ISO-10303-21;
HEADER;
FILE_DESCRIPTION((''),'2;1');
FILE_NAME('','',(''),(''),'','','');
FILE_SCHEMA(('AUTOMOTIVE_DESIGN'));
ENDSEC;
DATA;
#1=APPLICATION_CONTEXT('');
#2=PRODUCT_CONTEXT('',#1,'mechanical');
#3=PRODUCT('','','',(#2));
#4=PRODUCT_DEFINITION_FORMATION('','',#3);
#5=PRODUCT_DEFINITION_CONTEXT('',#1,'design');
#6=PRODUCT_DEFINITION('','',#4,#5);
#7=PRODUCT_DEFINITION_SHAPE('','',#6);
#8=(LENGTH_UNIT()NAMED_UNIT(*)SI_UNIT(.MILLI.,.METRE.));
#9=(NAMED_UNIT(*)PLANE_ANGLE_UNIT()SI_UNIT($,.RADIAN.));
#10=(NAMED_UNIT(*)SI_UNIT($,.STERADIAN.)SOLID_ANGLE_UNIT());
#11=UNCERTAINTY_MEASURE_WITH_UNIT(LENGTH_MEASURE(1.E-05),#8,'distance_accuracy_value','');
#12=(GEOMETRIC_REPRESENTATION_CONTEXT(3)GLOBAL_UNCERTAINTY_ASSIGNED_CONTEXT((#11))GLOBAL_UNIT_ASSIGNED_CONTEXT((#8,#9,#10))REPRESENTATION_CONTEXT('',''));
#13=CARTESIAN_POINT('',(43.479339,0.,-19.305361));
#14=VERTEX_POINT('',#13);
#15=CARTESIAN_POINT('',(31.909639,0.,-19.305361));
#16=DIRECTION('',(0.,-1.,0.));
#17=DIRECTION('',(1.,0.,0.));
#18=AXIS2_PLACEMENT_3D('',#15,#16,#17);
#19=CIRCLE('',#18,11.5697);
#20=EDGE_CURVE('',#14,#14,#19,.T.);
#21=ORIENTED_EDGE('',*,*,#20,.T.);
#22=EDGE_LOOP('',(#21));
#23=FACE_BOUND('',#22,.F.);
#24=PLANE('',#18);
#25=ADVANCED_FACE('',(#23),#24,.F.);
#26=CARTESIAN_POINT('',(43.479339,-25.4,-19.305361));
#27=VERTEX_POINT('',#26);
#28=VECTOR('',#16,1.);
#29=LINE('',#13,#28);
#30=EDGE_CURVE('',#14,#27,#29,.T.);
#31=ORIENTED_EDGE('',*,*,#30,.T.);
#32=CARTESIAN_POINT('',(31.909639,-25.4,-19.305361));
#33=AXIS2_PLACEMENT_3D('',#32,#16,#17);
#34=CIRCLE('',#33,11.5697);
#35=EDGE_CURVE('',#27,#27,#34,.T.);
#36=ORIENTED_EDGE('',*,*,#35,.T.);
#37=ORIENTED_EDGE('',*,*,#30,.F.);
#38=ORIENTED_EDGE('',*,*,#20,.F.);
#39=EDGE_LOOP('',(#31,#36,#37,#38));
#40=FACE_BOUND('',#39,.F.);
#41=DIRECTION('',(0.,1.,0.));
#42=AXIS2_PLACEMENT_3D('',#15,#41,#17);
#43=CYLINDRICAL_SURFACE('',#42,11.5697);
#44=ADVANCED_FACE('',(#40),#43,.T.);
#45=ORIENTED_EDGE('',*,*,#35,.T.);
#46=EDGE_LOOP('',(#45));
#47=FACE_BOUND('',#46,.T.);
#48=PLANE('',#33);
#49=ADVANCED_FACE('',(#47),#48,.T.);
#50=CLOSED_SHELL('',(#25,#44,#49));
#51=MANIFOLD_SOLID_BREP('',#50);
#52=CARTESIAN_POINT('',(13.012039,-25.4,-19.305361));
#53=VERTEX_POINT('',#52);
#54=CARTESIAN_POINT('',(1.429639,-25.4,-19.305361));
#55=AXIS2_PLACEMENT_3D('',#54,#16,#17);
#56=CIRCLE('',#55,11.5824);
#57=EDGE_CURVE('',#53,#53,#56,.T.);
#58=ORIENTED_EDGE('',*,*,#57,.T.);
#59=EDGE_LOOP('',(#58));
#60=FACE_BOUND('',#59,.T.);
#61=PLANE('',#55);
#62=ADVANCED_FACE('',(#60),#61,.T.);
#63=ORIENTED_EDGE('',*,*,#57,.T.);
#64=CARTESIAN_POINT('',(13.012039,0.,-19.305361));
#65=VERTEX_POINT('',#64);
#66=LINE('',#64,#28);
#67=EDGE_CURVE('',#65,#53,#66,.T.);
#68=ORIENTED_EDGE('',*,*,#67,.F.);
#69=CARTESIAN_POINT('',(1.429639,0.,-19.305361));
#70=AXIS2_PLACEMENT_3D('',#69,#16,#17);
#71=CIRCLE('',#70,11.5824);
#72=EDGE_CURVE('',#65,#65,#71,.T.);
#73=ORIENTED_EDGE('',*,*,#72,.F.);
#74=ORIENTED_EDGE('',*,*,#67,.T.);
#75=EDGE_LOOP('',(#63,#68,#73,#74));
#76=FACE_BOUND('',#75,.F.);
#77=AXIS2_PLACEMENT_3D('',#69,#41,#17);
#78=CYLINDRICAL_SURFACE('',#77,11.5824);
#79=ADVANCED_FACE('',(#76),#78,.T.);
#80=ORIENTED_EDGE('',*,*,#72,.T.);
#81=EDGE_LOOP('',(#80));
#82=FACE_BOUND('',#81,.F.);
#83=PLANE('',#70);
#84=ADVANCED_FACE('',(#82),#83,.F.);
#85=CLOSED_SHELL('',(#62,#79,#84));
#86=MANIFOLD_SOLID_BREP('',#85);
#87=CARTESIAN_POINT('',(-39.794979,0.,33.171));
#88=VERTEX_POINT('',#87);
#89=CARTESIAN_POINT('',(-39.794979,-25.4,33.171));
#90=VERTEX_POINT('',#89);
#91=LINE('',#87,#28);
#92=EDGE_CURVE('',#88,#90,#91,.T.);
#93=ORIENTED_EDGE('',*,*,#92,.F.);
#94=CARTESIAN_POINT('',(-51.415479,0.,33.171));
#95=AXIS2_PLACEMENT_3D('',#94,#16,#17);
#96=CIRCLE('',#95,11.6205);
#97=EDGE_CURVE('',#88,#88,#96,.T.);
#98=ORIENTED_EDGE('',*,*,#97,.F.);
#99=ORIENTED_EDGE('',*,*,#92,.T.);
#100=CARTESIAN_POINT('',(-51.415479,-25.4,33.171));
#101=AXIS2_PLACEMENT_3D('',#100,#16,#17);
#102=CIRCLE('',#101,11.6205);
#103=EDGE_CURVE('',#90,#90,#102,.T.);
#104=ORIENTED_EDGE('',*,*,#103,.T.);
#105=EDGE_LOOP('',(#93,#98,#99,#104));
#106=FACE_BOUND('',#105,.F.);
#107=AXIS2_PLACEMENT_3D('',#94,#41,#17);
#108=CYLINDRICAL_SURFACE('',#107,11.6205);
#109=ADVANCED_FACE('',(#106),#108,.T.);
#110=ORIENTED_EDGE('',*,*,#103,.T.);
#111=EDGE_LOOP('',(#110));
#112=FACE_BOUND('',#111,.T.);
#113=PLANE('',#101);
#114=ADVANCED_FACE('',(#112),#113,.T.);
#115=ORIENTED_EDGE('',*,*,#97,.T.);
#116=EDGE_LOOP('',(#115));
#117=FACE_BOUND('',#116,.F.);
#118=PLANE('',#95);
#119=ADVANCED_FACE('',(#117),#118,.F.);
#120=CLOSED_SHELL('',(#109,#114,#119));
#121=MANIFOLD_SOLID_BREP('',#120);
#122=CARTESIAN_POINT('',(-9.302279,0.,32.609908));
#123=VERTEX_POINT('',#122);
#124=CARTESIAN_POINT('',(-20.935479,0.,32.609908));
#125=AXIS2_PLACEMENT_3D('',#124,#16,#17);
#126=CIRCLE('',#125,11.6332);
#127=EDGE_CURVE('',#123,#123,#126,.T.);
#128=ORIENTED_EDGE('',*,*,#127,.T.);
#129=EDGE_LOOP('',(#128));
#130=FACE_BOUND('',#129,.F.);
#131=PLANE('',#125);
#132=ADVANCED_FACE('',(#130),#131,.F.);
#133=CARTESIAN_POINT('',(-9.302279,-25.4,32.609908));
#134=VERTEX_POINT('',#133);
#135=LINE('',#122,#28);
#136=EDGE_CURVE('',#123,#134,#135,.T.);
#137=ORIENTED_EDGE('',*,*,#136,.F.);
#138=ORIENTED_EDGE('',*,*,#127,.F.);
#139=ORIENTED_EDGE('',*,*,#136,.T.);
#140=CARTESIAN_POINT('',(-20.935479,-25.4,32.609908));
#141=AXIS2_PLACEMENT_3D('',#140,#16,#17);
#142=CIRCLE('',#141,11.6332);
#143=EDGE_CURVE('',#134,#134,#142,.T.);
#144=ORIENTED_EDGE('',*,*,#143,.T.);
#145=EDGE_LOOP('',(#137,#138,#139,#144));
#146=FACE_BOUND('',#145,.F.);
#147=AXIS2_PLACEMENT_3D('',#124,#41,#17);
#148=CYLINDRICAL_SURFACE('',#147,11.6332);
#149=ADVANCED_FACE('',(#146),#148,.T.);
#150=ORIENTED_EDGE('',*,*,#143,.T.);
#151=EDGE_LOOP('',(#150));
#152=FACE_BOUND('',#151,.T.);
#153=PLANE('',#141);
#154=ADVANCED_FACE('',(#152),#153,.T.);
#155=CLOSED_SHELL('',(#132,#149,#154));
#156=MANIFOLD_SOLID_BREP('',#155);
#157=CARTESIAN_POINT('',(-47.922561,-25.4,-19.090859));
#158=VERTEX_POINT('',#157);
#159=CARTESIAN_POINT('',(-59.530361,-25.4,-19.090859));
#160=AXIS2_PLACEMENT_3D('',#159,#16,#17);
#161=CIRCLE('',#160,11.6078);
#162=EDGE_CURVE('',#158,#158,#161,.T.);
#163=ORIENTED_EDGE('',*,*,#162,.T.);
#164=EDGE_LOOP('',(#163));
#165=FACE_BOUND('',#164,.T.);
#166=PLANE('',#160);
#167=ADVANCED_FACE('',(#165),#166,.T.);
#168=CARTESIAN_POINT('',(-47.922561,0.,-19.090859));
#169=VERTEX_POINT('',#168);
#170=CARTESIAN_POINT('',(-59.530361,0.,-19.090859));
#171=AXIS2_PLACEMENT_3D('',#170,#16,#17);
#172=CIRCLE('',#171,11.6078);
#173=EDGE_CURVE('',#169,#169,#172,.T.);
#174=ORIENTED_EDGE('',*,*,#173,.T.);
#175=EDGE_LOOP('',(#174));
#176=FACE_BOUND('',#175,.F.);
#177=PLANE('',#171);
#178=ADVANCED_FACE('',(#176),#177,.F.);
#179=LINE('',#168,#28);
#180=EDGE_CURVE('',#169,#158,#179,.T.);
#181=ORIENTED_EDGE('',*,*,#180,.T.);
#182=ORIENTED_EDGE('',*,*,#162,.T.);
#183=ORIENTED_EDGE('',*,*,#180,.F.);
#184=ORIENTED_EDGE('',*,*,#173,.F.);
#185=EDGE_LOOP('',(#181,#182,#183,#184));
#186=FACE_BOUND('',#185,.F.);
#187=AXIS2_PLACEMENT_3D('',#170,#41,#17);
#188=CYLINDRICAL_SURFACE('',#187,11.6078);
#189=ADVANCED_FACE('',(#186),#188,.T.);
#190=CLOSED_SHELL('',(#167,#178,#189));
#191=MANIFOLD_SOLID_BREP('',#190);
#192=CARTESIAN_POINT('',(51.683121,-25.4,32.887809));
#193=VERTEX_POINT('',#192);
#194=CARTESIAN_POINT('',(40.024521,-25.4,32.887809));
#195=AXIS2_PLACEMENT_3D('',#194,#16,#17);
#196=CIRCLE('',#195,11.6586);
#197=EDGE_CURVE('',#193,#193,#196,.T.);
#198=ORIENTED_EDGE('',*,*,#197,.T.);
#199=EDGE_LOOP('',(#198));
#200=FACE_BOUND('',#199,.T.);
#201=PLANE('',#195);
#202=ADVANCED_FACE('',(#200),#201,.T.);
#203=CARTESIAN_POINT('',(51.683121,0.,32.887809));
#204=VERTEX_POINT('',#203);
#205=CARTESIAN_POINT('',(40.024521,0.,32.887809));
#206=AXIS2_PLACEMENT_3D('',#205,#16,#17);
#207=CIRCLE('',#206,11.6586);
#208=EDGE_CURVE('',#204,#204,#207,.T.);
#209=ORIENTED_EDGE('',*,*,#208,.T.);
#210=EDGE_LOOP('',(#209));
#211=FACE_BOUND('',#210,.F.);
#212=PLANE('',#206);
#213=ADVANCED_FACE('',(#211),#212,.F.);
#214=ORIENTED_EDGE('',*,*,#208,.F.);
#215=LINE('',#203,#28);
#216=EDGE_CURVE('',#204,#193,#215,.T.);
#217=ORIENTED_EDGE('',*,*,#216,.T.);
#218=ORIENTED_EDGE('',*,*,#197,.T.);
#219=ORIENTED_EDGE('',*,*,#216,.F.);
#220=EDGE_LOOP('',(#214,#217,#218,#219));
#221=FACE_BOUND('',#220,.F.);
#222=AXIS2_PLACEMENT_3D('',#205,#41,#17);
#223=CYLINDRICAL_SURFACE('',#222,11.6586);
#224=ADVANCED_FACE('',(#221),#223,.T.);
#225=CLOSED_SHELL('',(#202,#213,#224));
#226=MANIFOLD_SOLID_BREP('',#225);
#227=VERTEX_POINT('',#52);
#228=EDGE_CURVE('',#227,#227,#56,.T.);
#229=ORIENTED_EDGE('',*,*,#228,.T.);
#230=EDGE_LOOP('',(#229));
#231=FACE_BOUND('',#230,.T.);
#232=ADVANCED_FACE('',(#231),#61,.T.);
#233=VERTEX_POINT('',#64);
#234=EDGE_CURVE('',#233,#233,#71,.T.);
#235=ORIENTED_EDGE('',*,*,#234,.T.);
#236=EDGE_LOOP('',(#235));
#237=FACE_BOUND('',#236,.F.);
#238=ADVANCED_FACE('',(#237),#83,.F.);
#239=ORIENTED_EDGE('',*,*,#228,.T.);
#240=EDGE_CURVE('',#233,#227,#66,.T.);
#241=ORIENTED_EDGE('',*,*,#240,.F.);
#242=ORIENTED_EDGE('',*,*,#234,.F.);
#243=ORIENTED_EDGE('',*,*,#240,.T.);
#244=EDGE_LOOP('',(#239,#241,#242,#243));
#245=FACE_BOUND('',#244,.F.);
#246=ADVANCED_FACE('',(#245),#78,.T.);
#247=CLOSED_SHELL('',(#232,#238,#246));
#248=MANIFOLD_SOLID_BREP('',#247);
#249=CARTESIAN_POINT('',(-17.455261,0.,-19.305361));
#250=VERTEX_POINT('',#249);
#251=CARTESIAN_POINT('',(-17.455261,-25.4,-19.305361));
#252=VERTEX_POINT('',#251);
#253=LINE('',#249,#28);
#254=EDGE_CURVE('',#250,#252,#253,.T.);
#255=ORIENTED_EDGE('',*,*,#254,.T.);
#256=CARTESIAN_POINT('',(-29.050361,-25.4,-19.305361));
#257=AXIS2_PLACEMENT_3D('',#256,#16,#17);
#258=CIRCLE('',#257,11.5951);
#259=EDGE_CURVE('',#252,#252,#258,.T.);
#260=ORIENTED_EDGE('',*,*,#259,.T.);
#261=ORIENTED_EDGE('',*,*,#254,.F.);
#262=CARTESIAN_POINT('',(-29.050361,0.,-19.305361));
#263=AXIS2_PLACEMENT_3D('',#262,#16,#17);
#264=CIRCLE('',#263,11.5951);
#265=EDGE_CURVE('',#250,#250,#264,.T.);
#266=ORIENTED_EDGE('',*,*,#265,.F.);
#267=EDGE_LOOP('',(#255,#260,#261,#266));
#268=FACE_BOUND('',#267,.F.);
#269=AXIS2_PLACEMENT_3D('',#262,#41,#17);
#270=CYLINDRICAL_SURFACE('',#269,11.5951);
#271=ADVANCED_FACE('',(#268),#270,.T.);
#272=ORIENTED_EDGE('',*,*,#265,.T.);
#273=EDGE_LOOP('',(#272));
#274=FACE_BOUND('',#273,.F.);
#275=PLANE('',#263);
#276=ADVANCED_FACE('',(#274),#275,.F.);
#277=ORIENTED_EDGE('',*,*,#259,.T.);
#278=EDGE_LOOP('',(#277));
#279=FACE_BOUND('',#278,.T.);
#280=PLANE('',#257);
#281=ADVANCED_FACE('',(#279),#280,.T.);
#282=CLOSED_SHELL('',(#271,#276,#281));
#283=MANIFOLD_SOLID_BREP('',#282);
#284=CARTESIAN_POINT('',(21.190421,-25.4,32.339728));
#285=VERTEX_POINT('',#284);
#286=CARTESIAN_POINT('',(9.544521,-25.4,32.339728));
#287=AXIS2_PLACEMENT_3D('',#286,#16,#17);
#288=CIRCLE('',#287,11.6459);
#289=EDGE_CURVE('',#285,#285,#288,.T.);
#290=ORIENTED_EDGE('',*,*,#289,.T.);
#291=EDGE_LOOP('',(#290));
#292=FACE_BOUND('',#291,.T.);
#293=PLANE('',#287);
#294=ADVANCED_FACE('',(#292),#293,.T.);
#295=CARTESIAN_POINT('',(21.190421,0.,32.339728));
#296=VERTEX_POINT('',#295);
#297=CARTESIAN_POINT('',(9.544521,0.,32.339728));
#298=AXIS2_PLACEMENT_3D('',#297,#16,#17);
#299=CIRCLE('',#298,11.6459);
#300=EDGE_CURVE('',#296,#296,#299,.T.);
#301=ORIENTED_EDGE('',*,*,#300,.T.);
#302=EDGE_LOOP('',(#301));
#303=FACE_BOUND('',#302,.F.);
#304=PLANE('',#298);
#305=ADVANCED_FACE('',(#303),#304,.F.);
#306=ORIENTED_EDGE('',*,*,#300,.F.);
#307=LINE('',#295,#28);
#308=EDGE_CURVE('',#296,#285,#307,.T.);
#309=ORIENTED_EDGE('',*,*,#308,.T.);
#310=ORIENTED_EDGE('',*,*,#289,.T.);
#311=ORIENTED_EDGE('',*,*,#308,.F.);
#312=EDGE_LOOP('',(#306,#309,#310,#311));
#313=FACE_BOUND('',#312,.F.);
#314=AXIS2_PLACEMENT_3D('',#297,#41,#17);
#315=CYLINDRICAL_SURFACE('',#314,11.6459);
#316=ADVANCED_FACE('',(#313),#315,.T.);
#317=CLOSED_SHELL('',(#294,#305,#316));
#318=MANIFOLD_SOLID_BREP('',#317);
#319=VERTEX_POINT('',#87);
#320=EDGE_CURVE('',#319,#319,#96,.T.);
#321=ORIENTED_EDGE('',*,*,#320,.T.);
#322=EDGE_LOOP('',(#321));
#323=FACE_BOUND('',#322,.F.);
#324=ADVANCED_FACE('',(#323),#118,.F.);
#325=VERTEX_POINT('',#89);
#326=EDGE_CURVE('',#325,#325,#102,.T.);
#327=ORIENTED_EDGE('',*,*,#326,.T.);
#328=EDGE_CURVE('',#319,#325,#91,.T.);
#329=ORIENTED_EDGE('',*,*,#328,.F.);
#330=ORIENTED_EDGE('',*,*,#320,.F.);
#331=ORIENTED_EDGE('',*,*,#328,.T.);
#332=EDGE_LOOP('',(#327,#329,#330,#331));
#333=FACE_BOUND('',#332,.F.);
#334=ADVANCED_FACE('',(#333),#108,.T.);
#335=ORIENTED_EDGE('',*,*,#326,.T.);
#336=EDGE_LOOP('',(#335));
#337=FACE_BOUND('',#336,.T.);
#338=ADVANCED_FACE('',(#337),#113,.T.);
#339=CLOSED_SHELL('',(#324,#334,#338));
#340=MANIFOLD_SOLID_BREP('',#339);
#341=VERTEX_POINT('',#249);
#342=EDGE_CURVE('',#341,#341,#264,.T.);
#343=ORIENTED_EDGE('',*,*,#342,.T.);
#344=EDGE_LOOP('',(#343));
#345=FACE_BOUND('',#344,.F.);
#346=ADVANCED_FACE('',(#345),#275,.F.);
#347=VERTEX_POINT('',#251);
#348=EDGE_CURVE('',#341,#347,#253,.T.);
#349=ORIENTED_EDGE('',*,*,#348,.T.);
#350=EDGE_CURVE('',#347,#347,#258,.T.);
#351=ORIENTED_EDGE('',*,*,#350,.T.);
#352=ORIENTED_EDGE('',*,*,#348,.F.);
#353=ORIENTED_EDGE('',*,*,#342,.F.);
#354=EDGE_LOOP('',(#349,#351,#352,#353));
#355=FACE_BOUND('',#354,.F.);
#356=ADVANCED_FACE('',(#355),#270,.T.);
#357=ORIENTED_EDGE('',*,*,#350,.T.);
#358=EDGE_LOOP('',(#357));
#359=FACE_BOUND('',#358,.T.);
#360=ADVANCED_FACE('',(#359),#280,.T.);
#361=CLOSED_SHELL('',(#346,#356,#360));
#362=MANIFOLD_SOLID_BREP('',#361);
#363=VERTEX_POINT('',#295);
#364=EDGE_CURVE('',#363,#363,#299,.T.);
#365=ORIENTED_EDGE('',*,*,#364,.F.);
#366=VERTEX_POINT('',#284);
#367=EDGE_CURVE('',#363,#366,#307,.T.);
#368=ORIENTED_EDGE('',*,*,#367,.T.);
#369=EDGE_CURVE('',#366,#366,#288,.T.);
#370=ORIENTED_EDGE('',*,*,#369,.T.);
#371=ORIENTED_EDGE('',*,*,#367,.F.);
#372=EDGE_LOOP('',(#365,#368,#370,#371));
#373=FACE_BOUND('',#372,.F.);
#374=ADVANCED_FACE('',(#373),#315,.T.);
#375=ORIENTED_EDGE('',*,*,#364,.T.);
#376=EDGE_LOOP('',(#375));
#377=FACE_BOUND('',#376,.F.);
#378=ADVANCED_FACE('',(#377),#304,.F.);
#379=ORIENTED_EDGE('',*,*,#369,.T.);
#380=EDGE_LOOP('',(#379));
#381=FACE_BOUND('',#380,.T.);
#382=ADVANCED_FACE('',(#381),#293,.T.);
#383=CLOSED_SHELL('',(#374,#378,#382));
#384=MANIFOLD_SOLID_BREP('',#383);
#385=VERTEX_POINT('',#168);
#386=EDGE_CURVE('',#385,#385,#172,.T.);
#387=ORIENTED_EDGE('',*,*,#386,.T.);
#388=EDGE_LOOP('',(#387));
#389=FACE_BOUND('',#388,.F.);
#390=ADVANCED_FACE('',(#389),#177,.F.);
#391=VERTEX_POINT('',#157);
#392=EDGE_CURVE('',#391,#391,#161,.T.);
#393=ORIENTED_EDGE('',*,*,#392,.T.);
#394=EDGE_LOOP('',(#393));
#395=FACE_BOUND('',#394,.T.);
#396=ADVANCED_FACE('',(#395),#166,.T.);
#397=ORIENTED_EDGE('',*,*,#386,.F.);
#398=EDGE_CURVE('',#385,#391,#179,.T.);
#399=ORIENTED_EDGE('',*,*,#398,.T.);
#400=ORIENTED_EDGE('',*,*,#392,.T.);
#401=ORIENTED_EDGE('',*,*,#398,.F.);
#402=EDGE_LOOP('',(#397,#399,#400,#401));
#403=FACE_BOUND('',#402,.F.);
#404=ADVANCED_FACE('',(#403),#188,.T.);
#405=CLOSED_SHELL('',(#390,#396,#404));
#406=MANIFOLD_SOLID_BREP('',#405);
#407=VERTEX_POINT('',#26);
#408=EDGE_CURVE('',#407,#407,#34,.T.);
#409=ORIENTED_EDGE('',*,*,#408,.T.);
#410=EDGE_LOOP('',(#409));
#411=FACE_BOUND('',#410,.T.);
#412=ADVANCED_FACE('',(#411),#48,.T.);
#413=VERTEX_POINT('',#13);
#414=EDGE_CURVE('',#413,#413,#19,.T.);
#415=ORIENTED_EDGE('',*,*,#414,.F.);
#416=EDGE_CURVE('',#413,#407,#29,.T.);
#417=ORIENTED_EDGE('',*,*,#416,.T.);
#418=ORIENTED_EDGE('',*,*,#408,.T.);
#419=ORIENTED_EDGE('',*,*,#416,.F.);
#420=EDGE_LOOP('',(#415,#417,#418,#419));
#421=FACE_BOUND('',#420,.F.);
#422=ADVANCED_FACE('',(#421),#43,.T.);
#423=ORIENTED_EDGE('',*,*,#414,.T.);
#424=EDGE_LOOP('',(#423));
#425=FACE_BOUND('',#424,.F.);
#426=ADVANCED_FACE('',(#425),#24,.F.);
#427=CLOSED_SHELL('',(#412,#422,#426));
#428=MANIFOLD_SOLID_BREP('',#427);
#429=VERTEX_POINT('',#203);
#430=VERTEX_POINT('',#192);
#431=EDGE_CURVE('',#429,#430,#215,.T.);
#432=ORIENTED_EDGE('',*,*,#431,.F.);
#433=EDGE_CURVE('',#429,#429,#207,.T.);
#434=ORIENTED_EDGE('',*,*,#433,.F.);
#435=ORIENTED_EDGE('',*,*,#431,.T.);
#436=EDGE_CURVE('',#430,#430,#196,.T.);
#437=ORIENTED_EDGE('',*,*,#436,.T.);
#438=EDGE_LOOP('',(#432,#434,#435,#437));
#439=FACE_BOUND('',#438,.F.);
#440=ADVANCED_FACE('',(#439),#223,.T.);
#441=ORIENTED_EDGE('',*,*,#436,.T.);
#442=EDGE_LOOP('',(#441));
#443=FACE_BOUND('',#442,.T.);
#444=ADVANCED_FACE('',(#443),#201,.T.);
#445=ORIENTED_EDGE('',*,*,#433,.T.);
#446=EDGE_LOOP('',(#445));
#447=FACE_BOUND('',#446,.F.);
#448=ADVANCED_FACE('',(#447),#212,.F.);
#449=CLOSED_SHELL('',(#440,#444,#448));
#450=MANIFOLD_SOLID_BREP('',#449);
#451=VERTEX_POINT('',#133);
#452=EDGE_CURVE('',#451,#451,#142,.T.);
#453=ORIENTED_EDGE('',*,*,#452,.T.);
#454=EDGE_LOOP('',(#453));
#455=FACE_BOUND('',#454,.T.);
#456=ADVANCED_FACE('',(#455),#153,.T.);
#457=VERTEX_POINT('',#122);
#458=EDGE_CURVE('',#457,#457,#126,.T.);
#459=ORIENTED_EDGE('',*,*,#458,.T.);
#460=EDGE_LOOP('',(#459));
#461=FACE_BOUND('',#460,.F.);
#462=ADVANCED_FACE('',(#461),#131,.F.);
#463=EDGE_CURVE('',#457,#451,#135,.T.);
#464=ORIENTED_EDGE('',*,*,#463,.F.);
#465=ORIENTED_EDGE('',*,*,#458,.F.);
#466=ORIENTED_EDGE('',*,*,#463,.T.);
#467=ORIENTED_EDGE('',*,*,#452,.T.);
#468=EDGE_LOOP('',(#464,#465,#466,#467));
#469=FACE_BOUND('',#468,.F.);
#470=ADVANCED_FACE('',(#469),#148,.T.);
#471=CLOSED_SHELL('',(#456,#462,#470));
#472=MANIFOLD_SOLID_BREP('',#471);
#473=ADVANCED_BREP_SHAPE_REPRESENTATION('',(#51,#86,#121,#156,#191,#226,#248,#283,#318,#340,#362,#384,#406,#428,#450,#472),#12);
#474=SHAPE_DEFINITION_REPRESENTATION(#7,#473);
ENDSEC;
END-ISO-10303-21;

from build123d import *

# Parameters (mm, degrees)
F0_R     = 11.6332
F0_R_2   = 11.6459
F0_R_3   = 11.6205
F0_R_4   = 11.6586
F0_R_5   = 11.6078
F0_R_6   = 11.5951
F0_R_7   = 11.5824
F0_R_8   = 11.5697
F1_DEPTH = 25.4
F2_DEPTH = 25.4


with BuildPart() as f1:
    # F0 (on Front) → F1 (new body)
    with BuildSketch(Plane.XZ):
        with Locations((-20.935479, 32.609908)):
            Circle(F0_R)
        with Locations((9.544521, 32.339728)):
            Circle(F0_R_2)
        with Locations((-51.415479, 33.171)):
            Circle(F0_R_3)
        with Locations((40.024521, 32.887809)):
            Circle(F0_R_4)
        with Locations((-59.530361, -19.090859)):
            Circle(F0_R_5)
        with Locations((-29.050361, -19.305361)):
            Circle(F0_R_6)
        with Locations((1.429639, -19.305361)):
            Circle(F0_R_7)
        with Locations((31.909639, -19.305361)):
            Circle(F0_R_8)
    extrude(amount=F1_DEPTH)


with BuildPart() as f2:
    # F0 (on Front) → F2 (new body)
    with BuildSketch(Plane.XZ):
        with Locations((-20.935479, 32.609908)):
            Circle(F0_R)
        with Locations((9.544521, 32.339728)):
            Circle(F0_R_2)
        with Locations((-51.415479, 33.171)):
            Circle(F0_R_3)
        with Locations((40.024521, 32.887809)):
            Circle(F0_R_4)
        with Locations((-59.530361, -19.090859)):
            Circle(F0_R_5)
        with Locations((-29.050361, -19.305361)):
            Circle(F0_R_6)
        with Locations((1.429639, -19.305361)):
            Circle(F0_R_7)
        with Locations((31.909639, -19.305361)):
            Circle(F0_R_8)
    extrude(amount=F2_DEPTH)


solid = Compound([f1.part, f2.part])
